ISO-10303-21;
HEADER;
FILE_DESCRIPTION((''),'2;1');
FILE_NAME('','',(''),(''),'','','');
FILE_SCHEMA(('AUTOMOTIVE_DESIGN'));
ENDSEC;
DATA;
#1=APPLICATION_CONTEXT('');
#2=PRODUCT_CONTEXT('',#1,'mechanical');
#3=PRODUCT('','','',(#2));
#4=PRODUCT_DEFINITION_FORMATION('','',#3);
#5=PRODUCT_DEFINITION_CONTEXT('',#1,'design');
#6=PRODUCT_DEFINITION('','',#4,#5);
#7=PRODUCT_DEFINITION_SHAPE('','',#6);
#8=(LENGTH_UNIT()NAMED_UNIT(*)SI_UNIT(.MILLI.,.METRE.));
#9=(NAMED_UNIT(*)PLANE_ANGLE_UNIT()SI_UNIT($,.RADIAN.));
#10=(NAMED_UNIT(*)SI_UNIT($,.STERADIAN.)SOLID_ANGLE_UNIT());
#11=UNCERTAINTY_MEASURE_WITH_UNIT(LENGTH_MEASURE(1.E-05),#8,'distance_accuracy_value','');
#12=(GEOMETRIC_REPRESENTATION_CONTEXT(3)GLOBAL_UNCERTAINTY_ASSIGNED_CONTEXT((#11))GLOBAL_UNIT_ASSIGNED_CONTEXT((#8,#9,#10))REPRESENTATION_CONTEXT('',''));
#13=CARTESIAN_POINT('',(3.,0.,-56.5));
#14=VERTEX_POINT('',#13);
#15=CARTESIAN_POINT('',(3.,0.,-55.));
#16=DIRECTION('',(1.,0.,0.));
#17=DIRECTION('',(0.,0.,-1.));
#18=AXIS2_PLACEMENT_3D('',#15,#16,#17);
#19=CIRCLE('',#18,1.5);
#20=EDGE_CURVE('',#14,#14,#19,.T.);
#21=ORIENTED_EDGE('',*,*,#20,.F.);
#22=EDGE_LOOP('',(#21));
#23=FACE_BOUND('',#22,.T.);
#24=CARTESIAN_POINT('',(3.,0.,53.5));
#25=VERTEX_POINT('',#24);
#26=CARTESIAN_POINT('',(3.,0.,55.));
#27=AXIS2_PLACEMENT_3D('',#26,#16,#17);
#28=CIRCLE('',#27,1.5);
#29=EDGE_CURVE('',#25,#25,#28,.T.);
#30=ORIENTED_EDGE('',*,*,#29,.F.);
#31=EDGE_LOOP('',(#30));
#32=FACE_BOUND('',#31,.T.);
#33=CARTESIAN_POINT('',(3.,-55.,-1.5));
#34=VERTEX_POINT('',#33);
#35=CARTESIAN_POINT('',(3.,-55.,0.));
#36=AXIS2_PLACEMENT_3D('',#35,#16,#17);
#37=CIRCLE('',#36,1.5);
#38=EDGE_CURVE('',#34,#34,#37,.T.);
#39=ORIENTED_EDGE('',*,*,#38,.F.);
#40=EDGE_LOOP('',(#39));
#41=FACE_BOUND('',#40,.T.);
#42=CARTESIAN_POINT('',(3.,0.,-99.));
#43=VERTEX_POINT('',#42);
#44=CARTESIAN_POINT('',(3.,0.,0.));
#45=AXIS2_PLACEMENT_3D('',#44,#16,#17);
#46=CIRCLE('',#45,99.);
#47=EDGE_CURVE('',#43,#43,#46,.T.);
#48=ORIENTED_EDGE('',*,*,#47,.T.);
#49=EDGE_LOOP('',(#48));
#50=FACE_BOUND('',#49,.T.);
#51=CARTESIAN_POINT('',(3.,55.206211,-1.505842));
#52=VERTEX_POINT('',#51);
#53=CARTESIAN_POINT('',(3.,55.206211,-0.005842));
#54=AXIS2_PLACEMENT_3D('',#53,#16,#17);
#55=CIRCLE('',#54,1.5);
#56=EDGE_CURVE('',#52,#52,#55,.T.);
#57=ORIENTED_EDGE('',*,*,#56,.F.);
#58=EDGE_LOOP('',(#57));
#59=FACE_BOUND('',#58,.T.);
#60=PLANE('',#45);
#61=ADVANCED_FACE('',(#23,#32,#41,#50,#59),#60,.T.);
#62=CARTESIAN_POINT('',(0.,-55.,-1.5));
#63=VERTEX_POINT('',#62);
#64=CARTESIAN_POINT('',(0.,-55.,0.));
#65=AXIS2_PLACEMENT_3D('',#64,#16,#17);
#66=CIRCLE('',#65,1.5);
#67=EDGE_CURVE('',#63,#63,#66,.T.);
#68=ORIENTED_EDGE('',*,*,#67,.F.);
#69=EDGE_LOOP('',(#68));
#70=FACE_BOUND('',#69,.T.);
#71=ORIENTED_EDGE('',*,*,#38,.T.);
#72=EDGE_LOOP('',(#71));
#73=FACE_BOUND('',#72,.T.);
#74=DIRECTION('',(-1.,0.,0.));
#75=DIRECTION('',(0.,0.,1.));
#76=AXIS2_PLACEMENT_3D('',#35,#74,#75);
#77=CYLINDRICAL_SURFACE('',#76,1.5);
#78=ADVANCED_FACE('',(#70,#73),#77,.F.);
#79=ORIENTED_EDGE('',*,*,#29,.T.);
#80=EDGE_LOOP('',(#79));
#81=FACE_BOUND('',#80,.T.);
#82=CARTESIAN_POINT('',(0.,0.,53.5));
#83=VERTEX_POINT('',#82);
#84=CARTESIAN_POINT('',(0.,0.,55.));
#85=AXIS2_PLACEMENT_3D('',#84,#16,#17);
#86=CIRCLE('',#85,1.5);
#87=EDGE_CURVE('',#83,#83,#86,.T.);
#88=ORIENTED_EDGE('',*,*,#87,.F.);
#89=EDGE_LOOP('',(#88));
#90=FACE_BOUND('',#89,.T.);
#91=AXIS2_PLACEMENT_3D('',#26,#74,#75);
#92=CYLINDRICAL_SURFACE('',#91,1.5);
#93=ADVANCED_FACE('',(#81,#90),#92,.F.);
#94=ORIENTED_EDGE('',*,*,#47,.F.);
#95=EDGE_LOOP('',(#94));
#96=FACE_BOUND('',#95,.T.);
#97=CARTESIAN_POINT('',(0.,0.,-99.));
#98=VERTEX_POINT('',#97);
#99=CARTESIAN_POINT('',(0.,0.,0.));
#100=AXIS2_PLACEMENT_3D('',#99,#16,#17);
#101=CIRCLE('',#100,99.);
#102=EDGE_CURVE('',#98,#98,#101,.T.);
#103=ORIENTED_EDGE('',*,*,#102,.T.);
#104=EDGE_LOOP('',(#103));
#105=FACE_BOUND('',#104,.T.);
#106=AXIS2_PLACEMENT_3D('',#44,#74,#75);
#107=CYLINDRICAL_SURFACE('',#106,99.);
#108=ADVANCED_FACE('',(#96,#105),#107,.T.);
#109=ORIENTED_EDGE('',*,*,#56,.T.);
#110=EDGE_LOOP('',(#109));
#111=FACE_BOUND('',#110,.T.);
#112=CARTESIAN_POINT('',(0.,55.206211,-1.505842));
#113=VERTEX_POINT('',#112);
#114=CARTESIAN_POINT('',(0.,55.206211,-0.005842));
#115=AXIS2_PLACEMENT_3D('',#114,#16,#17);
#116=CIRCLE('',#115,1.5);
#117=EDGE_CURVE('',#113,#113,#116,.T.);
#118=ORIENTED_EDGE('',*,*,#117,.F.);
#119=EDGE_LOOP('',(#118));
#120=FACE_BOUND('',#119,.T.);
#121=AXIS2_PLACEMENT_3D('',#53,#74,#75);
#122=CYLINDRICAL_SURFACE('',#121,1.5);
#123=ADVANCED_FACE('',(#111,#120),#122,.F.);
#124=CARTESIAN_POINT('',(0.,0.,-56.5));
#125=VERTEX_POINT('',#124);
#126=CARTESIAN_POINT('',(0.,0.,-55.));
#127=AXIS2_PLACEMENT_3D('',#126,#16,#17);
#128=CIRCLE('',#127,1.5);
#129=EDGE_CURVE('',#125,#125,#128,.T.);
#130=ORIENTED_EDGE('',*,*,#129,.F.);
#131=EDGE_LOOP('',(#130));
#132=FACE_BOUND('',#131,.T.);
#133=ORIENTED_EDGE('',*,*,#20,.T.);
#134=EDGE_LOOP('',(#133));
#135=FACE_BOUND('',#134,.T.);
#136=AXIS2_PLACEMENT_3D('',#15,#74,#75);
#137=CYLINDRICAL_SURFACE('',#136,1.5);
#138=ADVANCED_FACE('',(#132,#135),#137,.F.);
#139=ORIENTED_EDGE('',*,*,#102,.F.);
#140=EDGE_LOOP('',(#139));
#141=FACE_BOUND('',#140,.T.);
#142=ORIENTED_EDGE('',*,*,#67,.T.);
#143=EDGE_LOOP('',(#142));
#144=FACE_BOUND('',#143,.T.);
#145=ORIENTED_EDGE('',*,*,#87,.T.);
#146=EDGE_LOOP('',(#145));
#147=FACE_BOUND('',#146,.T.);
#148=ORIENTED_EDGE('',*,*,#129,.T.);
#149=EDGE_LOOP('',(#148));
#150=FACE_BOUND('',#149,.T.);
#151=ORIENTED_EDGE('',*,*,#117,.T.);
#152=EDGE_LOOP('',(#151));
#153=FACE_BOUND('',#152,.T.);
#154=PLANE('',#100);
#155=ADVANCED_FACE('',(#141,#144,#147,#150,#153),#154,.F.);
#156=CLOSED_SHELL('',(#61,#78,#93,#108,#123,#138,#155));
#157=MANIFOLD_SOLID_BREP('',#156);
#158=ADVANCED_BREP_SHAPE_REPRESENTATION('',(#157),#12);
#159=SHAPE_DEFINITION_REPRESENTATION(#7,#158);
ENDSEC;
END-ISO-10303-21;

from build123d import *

# Parameters (mm, degrees)
SKETCH1_R           = 99
SKETCH1_R_2         = 1.5
BOSS_EXTRUDE2_DEPTH = 3


with BuildPart() as part:
    # Sketch1 → Boss-Extrude2 (new body)
    with BuildSketch(Plane(origin=(0, 0, 0), x_dir=(0, 0, -1), z_dir=(1, 0, 0))):
        Circle(SKETCH1_R)
        with Locations((-55, 0)):
            Circle(SKETCH1_R_2, mode=Mode.SUBTRACT)
        with Locations((0.00584185, 55.206210587)):
            Circle(SKETCH1_R_2, mode=Mode.SUBTRACT)
        with Locations((55, 0)):
            Circle(SKETCH1_R_2, mode=Mode.SUBTRACT)
        with Locations((0, -55)):
            Circle(SKETCH1_R_2, mode=Mode.SUBTRACT)
    extrude(amount=BOSS_EXTRUDE2_DEPTH)


solid = part.part
